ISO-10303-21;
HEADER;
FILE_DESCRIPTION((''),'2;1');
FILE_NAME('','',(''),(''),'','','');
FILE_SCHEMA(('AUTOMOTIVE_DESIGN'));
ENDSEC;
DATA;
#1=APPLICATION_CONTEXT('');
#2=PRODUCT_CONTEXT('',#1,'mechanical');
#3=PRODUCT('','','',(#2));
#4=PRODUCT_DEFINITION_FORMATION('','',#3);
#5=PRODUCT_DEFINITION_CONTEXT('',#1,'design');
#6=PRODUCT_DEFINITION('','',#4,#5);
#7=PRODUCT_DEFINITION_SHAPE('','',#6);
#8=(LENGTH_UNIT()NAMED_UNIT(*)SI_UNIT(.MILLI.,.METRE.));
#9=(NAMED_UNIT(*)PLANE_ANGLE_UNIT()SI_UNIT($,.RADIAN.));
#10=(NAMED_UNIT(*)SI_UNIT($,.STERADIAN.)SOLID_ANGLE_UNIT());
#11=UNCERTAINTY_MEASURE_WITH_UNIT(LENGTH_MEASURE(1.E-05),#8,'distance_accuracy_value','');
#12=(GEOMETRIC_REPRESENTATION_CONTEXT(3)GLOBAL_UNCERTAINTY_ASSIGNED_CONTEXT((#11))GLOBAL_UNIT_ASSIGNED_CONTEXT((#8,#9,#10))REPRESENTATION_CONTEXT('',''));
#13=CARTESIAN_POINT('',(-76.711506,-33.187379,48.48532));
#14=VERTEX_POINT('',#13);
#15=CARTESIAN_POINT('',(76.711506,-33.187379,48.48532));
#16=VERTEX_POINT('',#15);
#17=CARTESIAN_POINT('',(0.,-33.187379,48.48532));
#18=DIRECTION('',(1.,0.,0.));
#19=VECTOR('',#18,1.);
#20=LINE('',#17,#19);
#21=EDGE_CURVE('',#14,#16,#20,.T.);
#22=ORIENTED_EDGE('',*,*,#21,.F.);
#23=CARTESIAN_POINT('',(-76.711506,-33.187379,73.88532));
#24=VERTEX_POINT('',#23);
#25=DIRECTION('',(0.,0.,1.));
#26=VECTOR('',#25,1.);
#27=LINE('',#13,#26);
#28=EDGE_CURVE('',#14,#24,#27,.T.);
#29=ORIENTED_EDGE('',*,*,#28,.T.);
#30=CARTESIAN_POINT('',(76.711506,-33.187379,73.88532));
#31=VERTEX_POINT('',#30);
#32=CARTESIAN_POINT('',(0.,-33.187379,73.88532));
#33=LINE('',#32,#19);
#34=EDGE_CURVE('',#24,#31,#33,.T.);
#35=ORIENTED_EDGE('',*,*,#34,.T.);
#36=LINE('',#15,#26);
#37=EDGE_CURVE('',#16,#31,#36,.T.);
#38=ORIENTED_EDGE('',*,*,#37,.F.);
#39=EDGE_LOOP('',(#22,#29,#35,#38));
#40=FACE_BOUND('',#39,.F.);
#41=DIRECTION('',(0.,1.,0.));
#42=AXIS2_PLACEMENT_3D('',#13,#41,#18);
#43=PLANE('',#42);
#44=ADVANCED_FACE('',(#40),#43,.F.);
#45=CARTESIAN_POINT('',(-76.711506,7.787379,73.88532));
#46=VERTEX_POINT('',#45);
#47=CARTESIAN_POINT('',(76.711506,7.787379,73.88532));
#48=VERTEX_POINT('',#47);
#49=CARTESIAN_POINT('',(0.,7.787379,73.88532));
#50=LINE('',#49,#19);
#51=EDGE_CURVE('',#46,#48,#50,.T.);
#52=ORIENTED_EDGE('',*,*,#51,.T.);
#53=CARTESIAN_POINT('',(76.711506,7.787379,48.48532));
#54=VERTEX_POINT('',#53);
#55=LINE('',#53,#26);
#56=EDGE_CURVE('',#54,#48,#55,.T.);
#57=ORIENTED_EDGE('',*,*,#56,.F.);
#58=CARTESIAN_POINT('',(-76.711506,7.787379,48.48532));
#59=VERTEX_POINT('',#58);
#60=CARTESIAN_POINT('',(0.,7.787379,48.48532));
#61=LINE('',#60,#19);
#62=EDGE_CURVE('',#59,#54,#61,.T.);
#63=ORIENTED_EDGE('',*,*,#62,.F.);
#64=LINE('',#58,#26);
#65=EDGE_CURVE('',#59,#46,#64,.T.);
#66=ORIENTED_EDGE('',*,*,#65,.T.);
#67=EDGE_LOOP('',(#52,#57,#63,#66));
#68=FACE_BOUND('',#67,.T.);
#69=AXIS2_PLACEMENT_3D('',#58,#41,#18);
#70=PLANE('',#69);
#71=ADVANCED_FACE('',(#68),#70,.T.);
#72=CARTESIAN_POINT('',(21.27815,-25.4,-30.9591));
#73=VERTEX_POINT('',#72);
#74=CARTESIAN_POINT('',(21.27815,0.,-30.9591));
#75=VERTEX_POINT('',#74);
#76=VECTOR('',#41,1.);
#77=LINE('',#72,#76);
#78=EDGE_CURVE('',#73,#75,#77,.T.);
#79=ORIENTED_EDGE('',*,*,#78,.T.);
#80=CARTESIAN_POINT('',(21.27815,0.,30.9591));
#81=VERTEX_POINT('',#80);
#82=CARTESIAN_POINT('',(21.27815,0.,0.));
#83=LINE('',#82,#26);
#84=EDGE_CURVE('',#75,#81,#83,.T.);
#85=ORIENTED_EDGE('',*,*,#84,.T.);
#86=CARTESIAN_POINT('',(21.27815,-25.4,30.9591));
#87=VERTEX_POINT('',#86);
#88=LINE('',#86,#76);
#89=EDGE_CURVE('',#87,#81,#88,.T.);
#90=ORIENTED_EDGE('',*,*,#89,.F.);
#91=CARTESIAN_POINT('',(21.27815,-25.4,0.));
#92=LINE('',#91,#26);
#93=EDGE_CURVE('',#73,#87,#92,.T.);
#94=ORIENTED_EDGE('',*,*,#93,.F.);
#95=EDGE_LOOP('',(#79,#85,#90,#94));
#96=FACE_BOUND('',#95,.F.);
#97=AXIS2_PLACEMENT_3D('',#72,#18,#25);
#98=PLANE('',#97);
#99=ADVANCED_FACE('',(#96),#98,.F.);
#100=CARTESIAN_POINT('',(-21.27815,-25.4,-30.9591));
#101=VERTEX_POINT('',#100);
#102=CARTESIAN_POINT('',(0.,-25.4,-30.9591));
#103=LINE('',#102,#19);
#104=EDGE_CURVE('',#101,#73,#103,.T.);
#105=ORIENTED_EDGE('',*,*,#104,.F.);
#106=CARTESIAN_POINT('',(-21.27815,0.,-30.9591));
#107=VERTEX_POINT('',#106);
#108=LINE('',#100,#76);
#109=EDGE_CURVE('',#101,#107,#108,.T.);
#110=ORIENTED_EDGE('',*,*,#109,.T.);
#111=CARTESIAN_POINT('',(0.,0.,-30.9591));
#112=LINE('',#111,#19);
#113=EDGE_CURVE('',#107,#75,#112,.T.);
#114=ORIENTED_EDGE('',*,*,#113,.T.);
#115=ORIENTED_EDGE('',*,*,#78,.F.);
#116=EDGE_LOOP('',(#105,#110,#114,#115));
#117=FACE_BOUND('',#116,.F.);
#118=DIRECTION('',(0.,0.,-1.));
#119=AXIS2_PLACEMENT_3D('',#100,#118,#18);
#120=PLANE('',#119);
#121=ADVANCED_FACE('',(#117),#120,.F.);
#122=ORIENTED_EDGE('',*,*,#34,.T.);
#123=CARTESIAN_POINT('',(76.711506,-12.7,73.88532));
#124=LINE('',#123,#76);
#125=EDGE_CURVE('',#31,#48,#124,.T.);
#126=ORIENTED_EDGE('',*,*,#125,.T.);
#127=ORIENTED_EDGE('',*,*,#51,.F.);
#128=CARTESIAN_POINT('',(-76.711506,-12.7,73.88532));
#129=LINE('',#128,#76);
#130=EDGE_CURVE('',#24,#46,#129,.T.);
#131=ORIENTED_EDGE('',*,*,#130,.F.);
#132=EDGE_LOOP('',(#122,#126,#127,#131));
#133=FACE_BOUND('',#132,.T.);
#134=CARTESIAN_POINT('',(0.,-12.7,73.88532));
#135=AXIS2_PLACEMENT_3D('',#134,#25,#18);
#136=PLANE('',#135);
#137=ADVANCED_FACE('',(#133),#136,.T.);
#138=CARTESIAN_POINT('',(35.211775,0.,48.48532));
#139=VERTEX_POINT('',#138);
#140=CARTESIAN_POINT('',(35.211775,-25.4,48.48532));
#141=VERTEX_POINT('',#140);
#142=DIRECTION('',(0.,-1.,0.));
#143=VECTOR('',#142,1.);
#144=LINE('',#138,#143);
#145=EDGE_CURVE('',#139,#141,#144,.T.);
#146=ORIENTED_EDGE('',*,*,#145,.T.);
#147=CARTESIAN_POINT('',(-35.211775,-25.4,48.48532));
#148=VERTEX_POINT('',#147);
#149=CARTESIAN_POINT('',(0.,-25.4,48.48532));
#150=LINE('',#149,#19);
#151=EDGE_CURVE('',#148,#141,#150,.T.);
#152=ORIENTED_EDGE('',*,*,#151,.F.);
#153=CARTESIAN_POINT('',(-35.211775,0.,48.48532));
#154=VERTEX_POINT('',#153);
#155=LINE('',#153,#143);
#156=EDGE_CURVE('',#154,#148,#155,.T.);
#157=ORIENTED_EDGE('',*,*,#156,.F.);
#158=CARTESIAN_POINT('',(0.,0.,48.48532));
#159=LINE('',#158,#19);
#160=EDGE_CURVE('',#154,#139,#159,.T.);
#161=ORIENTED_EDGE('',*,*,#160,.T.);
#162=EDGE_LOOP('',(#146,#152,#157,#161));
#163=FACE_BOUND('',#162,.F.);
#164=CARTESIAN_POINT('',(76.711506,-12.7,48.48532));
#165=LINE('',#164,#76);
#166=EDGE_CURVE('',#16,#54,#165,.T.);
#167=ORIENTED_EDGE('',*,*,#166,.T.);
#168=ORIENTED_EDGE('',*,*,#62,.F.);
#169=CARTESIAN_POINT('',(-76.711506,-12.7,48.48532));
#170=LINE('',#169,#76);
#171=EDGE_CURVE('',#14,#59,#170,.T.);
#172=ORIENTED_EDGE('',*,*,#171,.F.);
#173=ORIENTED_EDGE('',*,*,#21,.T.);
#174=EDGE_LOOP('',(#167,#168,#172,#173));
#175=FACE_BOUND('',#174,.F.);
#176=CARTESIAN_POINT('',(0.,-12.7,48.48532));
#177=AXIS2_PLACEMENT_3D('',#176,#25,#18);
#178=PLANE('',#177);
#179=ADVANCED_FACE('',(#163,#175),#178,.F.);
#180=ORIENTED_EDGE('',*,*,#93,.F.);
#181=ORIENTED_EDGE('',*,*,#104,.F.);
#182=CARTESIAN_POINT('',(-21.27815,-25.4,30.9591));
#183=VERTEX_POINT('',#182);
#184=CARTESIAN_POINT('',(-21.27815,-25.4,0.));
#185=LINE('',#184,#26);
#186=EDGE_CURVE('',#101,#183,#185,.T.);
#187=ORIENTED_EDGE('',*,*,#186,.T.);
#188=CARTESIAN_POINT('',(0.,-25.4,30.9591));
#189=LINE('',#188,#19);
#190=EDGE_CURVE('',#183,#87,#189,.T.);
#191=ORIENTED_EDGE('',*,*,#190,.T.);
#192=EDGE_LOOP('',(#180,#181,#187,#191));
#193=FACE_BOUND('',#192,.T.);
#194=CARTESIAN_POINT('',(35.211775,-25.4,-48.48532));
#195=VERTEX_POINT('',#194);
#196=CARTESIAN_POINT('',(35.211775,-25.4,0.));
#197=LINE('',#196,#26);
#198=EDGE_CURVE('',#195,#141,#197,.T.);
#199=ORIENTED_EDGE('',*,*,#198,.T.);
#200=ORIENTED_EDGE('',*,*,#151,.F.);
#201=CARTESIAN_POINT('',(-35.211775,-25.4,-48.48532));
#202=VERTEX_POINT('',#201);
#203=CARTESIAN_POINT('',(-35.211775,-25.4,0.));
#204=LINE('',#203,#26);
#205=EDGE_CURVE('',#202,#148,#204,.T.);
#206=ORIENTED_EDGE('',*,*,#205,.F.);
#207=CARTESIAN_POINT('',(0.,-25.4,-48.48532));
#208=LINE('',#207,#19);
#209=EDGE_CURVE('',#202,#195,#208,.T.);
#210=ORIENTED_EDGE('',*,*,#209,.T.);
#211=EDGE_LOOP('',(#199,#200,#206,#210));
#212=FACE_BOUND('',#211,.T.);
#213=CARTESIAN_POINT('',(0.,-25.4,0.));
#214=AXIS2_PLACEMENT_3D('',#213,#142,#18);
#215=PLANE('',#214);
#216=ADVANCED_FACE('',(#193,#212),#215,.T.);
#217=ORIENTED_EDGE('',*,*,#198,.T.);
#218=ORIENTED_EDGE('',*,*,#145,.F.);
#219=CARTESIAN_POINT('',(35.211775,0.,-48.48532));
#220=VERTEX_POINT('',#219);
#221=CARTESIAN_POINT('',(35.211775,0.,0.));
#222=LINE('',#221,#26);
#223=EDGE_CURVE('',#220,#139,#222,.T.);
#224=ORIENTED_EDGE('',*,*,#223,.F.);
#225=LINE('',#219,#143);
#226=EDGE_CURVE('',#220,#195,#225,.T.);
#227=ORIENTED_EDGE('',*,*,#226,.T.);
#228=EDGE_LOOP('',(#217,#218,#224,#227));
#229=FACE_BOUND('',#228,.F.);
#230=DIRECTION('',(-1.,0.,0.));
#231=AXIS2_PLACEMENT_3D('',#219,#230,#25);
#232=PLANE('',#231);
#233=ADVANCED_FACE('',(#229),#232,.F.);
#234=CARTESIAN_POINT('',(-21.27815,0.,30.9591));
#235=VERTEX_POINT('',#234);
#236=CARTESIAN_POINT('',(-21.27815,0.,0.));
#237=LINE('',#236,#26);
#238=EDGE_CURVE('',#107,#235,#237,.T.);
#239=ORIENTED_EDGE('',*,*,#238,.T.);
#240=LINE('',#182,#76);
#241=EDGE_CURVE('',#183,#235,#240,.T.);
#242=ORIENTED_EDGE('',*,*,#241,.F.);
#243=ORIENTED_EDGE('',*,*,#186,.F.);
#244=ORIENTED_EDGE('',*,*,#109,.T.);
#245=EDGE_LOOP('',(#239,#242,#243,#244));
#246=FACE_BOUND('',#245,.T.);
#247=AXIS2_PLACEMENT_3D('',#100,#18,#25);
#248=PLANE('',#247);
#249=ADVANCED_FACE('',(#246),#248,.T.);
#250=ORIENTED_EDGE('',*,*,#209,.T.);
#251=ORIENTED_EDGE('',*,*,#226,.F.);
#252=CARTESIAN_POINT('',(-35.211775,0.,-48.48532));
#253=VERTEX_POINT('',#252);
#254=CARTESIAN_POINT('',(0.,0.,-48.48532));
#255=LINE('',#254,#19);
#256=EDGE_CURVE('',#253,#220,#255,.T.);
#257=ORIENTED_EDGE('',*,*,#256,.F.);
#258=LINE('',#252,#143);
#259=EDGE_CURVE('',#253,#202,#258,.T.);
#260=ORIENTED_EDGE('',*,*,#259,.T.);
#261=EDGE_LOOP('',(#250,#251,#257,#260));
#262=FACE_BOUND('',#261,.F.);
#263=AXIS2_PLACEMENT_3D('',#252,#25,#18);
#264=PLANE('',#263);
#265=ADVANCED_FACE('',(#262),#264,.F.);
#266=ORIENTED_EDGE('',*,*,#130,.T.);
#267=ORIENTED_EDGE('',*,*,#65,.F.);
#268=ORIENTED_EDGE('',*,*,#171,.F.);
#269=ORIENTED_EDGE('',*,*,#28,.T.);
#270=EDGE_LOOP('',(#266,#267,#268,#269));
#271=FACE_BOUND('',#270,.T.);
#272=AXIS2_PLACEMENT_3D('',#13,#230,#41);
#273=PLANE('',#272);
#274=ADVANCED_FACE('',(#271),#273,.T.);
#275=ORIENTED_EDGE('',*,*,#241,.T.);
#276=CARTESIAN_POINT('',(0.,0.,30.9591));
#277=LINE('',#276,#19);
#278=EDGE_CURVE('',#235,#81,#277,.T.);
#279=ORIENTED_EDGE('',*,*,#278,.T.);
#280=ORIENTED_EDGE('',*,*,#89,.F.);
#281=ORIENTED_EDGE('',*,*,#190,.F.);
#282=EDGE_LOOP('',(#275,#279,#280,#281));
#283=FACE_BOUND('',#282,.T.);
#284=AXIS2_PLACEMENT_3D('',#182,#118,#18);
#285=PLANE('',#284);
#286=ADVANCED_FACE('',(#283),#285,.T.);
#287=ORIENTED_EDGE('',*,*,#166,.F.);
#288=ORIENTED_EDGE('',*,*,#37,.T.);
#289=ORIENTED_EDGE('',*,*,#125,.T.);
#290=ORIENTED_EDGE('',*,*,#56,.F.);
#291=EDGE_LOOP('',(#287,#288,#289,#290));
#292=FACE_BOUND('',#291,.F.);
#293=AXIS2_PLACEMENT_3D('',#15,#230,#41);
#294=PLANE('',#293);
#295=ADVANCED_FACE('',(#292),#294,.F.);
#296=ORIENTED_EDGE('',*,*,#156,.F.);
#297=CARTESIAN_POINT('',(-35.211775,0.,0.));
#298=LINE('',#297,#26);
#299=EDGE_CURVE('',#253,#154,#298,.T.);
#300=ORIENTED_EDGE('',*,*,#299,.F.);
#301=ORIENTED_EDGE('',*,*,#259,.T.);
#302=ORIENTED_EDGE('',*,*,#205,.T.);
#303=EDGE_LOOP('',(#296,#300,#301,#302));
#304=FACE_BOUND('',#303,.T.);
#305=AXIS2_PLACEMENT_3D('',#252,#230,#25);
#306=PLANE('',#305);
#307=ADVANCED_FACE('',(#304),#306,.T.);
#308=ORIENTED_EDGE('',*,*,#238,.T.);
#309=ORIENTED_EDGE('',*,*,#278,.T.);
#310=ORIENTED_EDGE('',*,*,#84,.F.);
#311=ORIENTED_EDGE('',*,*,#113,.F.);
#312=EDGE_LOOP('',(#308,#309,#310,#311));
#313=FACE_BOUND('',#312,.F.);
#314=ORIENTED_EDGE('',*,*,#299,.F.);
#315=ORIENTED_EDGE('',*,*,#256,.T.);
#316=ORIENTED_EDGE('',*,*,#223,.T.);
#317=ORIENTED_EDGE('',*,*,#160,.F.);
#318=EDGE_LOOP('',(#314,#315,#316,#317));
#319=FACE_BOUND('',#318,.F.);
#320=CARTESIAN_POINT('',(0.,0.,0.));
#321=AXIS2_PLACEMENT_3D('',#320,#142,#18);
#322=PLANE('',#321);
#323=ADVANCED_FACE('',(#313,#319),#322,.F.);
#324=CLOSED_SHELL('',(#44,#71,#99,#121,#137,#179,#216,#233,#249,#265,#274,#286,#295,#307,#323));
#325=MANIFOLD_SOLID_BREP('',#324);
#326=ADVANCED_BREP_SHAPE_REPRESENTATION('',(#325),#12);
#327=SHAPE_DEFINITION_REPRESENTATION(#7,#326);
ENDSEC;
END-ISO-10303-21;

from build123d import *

# Parameters (mm, degrees)
F0_W     = 70.4235509038
F0_H     = 96.9706401229
F1_DEPTH = 25.4
F2_W     = 153.4230113029
F2_H     = 40.9747579411
F2_W_2   = 70.4235509038
F2_H_2   = 25.4
F3_DEPTH = 25.4
F4_W     = 42.5563007593
F4_H     = 61.9181990623
F5_DEPTH = 25.4


with BuildPart() as f1:
    # F0 (on Front) → F1 (new body)
    with BuildSketch(Plane.XZ):
        Rectangle(F0_W, F0_H)
    extrude(amount=F1_DEPTH)

    # F2 (on face) → F3 (join)
    with BuildSketch(Plane.XY.offset(48.4853200614)):
        with Locations((0, -12.7)):
            Rectangle(F2_W, F2_H)
        with Locations((0, -12.7)):
            Rectangle(F2_W_2, F2_H_2, mode=Mode.SUBTRACT)
        with Locations((0, -12.7)):
            Rectangle(F2_W_2, F2_H_2)
    extrude(amount=F3_DEPTH)

    # F4 (on face) → F5 (cut)
    with BuildSketch(Plane.XZ.offset(25.4)):
        Rectangle(F4_W, F4_H)
    extrude(amount=-F5_DEPTH, mode=Mode.SUBTRACT)


solid = f1.part
